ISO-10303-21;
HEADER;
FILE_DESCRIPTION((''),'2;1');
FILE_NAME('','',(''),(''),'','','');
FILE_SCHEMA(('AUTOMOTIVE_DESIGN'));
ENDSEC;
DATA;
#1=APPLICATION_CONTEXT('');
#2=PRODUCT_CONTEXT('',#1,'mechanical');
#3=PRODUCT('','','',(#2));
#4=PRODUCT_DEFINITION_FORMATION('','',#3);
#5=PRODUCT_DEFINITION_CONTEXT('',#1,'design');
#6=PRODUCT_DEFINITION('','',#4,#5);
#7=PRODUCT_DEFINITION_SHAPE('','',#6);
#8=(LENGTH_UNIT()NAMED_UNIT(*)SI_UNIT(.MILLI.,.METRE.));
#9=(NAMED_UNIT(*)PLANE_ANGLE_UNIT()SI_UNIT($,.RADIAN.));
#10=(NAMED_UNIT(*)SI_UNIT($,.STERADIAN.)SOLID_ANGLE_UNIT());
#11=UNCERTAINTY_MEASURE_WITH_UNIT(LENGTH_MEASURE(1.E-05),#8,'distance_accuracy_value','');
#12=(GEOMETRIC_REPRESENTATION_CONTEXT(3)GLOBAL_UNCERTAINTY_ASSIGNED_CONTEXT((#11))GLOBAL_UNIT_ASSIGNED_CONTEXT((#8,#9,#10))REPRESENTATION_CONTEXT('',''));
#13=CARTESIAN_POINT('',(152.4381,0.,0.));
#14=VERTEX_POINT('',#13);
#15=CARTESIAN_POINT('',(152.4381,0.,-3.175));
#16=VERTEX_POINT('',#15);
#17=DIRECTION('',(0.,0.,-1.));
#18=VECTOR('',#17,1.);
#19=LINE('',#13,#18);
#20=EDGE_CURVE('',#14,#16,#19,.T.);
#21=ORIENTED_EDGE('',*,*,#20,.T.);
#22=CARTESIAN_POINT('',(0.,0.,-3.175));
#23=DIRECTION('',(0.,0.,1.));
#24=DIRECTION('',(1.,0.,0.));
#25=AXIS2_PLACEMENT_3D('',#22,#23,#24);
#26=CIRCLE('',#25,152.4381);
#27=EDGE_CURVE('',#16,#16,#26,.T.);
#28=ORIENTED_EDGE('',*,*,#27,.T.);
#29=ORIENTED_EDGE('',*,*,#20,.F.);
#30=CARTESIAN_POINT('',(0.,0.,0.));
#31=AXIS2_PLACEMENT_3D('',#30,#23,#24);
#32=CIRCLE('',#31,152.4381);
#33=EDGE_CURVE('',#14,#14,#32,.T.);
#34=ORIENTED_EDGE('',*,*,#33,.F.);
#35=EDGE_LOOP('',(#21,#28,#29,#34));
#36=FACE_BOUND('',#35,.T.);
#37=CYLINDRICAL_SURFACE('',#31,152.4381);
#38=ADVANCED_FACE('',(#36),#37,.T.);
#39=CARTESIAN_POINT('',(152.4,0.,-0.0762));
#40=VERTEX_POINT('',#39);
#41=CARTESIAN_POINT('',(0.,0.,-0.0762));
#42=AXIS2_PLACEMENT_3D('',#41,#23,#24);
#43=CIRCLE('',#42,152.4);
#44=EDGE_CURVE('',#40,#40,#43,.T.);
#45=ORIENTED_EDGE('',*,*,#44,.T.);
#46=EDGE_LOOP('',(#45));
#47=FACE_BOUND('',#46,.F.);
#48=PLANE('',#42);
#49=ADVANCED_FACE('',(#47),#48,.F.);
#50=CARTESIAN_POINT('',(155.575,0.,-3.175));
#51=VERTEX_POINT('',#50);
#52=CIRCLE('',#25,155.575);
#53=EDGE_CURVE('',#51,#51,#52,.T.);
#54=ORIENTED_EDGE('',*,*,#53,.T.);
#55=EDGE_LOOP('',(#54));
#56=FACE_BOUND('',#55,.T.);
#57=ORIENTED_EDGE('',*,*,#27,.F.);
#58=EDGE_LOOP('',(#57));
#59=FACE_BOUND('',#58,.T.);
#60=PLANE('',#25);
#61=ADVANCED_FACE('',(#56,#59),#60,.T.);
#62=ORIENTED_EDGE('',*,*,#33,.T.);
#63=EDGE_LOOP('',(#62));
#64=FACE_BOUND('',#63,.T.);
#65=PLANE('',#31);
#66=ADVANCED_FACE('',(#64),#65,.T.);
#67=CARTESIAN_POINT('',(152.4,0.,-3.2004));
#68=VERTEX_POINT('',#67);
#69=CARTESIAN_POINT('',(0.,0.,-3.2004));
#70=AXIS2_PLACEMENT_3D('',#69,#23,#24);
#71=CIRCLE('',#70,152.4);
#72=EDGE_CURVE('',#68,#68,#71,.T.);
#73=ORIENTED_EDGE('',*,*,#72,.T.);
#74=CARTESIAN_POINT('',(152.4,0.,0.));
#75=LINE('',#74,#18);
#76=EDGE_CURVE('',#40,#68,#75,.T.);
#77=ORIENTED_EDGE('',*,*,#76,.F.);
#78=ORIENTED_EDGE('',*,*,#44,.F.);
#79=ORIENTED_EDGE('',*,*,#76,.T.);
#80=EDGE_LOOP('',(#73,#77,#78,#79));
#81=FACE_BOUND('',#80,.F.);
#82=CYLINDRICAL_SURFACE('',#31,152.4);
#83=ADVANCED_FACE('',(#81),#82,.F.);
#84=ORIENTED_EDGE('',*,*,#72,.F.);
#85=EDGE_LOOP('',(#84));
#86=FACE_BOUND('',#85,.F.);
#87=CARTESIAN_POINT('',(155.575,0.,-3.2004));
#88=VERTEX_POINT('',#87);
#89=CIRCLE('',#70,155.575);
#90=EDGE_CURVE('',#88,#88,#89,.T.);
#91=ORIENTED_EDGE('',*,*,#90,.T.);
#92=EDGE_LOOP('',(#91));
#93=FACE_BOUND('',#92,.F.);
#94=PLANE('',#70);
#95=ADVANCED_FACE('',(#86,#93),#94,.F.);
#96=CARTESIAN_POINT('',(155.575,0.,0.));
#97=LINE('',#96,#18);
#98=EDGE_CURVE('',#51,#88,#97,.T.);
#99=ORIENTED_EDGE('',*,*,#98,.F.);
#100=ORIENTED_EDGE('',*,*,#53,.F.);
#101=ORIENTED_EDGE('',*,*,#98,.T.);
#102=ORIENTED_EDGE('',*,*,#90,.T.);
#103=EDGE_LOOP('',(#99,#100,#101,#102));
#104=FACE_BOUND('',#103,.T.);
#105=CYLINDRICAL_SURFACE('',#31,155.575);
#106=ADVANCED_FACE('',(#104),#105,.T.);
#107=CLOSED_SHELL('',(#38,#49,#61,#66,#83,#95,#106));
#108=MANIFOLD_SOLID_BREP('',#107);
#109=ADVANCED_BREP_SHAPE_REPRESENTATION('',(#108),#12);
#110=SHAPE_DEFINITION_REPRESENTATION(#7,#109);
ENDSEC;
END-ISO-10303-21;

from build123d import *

# Parameters (mm, degrees)
F0_R     = 152.4
F1_DEPTH = 0.0762
F0_R_2   = 155.575
F0_R_3   = 152.4381
F2_DEPTH = 3.2004
F3_DEPTH = 3.175


with BuildPart() as f1:
    # F0 (on Top) → F1 (new body)
    with BuildSketch(Plane.XY):
        Circle(F0_R)
    extrude(amount=-F1_DEPTH)

    # F0 (on Top) → F2 (join)
    with BuildSketch(Plane.XY):
        Circle(F0_R_2)
        Circle(F0_R_3, mode=Mode.SUBTRACT)
        Circle(F0_R_3)
        Circle(F0_R, mode=Mode.SUBTRACT)
    extrude(amount=-F2_DEPTH)

    # F0 (on Top) → F3 (cut)
    with BuildSketch(Plane.XY):
        Circle(F0_R_2)
        Circle(F0_R_3, mode=Mode.SUBTRACT)
    extrude(amount=-F3_DEPTH, mode=Mode.SUBTRACT)


solid = f1.part
